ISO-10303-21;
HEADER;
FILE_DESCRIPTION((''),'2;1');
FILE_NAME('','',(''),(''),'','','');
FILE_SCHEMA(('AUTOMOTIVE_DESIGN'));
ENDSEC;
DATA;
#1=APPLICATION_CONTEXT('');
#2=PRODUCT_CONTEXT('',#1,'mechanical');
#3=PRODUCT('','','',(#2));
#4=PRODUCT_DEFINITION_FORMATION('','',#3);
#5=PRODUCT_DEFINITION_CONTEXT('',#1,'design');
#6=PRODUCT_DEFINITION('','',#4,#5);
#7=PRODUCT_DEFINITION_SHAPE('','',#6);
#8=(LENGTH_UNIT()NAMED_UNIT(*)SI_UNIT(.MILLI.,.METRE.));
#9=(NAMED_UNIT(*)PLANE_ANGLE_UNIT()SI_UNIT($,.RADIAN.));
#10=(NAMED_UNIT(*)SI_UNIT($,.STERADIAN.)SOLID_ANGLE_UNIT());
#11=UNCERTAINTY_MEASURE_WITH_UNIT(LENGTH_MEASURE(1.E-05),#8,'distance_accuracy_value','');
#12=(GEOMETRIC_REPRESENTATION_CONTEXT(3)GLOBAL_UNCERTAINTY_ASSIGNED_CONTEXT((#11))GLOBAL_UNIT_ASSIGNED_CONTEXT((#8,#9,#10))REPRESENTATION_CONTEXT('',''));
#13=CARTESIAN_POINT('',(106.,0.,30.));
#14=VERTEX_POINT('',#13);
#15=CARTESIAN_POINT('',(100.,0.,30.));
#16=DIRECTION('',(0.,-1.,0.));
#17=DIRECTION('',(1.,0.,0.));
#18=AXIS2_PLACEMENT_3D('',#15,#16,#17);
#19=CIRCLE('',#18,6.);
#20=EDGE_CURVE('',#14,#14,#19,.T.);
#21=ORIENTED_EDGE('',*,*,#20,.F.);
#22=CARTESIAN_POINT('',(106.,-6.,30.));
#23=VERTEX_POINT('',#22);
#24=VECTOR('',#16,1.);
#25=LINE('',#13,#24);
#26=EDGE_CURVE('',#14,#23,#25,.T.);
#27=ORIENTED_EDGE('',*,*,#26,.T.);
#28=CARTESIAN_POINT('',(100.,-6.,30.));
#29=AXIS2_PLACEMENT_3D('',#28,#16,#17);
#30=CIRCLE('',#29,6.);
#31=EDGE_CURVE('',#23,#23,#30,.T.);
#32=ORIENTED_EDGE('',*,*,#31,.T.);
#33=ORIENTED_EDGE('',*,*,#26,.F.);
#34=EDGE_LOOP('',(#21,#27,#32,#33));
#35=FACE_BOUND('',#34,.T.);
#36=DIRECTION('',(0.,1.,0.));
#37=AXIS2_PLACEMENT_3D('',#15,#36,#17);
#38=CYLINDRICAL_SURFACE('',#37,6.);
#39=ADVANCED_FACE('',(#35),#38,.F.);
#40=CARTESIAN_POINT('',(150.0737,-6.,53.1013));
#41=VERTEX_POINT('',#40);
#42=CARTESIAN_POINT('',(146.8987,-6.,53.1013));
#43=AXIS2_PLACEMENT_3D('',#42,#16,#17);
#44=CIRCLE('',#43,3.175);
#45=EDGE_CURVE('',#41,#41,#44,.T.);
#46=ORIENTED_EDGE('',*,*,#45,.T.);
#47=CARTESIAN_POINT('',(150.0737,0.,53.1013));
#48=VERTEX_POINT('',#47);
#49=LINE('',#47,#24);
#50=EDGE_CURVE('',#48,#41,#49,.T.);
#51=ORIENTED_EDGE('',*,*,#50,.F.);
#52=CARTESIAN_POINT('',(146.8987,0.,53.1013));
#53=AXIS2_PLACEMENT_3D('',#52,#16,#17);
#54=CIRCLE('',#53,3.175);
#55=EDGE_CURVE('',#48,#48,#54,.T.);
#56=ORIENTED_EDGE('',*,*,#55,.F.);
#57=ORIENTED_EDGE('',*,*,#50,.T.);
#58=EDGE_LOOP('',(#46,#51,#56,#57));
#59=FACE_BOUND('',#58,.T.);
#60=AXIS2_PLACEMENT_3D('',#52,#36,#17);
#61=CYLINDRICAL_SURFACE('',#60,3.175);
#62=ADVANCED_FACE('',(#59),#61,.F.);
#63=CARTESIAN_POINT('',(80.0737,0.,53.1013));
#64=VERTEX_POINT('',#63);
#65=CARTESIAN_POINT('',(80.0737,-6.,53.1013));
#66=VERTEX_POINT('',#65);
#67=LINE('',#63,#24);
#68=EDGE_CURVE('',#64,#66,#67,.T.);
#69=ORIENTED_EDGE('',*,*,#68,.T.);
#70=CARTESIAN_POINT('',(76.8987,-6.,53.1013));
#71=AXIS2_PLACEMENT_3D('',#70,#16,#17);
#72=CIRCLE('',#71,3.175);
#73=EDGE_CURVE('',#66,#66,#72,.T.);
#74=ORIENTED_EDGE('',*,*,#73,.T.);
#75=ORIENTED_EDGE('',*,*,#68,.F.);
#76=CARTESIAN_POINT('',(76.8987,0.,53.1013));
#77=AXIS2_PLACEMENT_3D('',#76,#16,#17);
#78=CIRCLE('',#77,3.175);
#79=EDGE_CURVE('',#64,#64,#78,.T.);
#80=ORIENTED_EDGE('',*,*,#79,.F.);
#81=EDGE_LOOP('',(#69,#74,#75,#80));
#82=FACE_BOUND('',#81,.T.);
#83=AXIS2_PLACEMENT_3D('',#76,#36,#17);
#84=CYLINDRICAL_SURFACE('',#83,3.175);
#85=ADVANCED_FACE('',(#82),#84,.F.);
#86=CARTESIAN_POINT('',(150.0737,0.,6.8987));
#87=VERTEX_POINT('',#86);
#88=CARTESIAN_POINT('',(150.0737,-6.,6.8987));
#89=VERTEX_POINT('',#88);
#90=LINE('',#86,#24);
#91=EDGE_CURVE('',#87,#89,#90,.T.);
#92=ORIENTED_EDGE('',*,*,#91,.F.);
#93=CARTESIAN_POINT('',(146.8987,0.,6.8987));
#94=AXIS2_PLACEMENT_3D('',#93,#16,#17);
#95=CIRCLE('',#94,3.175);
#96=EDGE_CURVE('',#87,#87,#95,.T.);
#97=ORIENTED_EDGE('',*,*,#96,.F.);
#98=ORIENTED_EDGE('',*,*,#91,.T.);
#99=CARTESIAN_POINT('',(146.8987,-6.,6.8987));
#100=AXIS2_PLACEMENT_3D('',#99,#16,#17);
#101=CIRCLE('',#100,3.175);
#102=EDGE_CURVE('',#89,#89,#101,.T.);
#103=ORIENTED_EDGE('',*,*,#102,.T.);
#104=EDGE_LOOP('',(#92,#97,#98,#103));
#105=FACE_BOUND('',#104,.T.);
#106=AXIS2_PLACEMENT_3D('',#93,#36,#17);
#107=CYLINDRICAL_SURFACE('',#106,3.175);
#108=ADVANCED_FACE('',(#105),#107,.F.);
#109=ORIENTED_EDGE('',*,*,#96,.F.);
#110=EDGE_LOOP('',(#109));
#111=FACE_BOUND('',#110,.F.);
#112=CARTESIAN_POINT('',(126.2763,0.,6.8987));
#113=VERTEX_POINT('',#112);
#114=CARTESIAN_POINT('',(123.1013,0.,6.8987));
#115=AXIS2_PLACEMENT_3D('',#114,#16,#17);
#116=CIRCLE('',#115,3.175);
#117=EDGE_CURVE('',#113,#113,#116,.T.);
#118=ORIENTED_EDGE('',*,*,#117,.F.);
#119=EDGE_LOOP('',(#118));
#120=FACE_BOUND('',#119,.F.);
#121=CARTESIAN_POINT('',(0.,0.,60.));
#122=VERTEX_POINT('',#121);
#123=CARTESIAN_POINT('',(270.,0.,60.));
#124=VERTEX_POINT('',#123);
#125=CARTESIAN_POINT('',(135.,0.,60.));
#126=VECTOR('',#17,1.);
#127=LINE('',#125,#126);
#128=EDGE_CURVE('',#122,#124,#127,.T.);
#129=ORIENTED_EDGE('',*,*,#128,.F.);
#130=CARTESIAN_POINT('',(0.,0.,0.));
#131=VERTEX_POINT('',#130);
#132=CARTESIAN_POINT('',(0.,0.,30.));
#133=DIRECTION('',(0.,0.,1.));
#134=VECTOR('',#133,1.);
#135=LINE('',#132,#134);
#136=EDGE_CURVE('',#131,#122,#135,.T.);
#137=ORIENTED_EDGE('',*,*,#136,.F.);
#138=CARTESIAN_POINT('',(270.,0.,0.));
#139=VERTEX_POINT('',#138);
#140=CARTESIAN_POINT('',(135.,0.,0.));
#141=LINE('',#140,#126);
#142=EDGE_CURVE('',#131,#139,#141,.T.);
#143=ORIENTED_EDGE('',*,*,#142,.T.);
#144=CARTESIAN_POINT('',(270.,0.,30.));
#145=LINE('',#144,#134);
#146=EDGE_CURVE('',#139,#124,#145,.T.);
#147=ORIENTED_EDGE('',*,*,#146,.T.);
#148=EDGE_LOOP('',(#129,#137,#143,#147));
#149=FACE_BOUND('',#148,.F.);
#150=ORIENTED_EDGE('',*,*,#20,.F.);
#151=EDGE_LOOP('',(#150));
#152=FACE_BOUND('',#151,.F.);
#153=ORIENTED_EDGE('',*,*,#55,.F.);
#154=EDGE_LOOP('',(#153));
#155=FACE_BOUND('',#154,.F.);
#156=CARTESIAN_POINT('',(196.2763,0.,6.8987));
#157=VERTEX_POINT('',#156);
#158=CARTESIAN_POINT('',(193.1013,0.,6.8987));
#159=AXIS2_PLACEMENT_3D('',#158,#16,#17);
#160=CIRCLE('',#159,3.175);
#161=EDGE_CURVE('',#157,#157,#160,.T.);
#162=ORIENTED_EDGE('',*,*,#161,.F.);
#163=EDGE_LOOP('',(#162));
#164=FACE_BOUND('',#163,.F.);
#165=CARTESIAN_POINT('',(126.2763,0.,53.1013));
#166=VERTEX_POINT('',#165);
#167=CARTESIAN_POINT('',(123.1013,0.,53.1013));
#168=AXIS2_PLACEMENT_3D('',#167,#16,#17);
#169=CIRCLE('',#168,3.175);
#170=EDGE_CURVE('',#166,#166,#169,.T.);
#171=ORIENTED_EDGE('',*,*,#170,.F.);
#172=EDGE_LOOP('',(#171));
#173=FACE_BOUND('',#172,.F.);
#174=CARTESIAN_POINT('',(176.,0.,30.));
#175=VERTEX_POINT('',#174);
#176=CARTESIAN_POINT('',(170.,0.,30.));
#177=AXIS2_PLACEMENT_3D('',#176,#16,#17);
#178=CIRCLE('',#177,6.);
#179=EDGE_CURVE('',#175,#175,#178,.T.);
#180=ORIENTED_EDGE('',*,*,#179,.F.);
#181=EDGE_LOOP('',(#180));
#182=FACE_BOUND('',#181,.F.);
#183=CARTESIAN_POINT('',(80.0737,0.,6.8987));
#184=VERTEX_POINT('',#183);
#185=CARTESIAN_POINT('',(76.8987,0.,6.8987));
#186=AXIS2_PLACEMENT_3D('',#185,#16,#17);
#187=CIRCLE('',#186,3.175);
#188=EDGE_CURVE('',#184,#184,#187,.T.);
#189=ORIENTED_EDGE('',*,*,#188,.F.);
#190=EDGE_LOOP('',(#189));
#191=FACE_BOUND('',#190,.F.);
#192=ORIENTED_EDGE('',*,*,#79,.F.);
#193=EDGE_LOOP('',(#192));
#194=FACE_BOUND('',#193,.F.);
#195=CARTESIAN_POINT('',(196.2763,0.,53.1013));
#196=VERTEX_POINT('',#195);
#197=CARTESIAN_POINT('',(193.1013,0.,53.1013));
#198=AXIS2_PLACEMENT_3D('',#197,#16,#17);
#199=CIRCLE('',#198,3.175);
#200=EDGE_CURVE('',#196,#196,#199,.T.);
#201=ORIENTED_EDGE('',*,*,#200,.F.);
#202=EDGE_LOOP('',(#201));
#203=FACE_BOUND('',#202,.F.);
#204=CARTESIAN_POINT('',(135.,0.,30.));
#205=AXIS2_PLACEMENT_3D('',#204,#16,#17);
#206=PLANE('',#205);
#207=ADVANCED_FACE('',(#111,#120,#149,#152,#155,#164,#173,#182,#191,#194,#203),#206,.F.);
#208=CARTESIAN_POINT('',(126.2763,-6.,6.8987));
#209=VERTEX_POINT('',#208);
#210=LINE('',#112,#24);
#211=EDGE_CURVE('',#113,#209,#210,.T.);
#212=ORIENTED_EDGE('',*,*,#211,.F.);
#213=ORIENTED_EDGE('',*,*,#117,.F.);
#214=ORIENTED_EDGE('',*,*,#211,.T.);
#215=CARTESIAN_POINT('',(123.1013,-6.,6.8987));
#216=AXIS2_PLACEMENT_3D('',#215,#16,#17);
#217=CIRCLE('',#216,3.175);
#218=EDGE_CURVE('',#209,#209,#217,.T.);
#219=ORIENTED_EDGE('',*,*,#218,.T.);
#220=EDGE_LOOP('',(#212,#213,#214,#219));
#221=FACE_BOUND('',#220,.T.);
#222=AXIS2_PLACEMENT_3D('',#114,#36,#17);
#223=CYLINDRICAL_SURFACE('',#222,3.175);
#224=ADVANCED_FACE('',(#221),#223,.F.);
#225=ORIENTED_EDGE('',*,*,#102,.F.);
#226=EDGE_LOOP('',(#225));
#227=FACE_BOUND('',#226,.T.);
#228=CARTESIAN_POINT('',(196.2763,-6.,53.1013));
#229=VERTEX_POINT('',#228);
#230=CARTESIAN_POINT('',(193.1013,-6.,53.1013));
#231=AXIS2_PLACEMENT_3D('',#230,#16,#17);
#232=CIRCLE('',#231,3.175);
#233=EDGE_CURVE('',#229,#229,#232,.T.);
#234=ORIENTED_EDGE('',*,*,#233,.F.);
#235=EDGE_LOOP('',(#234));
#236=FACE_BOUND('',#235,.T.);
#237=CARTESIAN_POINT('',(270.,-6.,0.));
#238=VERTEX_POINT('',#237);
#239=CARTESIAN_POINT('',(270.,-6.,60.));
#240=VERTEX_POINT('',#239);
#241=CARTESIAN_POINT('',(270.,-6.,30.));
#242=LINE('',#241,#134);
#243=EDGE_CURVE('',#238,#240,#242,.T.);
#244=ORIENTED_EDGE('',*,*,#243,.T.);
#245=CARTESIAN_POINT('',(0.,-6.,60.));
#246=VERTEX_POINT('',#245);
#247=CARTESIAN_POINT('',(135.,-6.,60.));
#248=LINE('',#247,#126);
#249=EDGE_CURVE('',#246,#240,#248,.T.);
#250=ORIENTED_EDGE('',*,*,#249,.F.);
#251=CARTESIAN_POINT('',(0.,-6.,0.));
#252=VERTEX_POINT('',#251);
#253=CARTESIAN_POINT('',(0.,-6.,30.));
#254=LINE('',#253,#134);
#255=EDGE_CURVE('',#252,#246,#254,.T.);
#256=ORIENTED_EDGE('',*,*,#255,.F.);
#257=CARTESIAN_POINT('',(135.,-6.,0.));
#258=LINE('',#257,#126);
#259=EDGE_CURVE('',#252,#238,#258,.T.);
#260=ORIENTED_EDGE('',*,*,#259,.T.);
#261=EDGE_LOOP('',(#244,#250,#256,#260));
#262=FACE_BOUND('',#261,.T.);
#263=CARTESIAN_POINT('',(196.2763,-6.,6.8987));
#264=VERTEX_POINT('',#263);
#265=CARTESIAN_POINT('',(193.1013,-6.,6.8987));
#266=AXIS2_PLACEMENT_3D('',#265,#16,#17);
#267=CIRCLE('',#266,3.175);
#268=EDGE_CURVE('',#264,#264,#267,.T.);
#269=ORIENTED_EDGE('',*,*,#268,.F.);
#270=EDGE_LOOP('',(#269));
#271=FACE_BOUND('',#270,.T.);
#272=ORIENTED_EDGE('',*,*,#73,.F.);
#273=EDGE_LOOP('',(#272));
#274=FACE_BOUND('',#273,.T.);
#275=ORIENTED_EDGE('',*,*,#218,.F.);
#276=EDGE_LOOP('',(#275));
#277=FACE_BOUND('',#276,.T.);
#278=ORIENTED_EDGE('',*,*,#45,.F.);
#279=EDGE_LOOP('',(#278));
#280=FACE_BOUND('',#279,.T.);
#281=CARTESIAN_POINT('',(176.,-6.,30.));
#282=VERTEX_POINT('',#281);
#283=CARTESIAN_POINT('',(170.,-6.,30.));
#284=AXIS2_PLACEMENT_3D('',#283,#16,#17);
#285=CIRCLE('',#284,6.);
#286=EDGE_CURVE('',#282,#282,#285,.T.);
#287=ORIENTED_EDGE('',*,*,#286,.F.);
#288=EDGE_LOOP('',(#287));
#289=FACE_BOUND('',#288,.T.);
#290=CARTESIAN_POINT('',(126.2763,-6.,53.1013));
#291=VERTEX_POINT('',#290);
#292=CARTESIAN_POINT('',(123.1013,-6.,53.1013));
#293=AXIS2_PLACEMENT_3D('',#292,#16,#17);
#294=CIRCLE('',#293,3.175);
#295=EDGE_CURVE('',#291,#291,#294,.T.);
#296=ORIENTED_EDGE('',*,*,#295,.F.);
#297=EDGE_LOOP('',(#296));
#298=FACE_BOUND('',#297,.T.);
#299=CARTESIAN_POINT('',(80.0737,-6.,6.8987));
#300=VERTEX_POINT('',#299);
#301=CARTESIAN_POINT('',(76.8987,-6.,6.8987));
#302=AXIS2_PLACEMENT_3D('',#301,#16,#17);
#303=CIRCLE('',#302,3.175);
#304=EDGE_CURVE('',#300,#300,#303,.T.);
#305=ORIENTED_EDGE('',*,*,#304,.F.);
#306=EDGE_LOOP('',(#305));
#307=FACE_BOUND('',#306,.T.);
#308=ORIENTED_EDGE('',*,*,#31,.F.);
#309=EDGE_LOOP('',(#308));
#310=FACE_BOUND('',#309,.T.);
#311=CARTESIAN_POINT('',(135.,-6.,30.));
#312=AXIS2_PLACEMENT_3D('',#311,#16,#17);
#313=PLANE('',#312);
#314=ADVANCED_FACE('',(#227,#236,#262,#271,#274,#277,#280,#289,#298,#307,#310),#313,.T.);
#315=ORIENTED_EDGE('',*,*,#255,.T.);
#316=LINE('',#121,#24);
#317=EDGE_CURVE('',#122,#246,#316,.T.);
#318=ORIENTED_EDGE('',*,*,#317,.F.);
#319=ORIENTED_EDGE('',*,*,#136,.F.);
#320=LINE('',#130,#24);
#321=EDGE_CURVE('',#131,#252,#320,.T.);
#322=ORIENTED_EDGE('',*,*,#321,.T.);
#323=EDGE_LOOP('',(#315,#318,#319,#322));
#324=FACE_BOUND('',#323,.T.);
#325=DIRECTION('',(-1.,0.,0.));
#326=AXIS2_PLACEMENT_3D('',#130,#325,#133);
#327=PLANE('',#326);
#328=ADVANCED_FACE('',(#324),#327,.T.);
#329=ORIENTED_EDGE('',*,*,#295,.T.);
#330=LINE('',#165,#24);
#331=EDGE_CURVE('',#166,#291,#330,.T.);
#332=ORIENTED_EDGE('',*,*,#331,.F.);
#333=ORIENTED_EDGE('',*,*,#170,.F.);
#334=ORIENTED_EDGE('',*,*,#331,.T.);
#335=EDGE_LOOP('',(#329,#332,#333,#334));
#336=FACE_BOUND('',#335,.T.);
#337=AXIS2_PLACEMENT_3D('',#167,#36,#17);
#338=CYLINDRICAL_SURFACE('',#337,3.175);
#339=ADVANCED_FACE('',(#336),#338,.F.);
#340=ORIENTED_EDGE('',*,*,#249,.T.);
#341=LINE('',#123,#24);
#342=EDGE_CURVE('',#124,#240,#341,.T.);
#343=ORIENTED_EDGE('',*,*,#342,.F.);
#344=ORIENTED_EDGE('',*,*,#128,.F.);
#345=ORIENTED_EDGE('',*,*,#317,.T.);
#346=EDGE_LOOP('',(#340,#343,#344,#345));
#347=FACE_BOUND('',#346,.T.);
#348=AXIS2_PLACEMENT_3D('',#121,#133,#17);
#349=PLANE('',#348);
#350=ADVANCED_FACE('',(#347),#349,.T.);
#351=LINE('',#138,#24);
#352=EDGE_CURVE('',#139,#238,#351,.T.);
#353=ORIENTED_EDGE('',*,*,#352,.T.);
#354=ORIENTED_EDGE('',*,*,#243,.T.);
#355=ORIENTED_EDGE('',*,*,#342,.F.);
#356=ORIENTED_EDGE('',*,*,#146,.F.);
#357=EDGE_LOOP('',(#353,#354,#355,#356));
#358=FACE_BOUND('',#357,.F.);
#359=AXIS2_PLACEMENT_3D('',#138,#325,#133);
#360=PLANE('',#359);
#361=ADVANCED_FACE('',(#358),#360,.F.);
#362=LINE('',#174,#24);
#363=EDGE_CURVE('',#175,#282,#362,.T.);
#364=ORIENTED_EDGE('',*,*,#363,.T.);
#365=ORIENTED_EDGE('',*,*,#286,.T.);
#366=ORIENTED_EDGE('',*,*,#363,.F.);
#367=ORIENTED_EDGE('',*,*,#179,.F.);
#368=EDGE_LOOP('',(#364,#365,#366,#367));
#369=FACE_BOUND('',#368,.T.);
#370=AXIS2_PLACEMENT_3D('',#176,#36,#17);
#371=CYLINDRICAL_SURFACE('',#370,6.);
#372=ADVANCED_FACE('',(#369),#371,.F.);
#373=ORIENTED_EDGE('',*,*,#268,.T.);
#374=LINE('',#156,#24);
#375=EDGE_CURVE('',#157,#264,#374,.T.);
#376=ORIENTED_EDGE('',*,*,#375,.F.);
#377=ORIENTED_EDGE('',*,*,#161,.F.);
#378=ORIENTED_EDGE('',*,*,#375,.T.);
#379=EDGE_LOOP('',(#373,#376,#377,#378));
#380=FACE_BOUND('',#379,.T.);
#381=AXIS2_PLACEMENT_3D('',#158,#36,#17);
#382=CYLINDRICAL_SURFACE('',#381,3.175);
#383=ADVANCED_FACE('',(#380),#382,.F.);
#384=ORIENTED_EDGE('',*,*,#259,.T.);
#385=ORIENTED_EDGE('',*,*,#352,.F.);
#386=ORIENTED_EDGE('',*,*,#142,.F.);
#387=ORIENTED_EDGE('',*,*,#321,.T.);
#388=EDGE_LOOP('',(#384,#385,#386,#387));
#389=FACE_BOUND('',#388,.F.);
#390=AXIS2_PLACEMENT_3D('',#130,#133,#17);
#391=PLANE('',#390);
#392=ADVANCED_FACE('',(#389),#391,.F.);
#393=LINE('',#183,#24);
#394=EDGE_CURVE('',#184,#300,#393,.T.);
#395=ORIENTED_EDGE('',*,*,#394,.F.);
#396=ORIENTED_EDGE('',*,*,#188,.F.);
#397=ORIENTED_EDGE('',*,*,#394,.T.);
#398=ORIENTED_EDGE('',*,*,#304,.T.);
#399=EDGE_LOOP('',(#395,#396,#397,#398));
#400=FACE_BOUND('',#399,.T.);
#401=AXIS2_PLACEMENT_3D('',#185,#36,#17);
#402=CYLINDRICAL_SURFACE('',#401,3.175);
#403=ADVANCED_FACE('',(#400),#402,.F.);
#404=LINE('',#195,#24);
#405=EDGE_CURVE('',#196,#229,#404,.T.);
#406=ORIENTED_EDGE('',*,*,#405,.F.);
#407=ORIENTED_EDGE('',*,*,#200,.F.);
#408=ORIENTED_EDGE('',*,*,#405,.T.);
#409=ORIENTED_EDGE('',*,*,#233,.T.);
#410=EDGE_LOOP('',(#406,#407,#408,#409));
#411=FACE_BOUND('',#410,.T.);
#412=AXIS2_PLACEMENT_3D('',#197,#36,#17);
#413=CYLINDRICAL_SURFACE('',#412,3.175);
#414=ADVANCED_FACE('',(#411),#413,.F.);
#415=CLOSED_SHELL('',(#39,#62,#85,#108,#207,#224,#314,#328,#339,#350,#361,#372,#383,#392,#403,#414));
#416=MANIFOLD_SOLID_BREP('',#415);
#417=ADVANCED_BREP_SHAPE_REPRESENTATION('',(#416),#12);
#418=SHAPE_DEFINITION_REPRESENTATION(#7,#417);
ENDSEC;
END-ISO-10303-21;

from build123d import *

# Parameters (mm, degrees)
SKETCH_W   = 270
SKETCH_H   = 60
SKETCH_R   = 6
SKETCH_R_2 = 3.175
PAD_DEPTH  = 6


with BuildPart() as part:
    # Sketch → Pad (new body)
    with BuildSketch(Plane.XZ):
        with Locations((135, 30)):
            Rectangle(SKETCH_W, SKETCH_H)
        with Locations((100, 30)):
            Circle(SKETCH_R, mode=Mode.SUBTRACT)
        with Locations((123.1013, 53.1013)):
            Circle(SKETCH_R_2, mode=Mode.SUBTRACT)
        with Locations((76.8987, 53.1013)):
            Circle(SKETCH_R_2, mode=Mode.SUBTRACT)
        with Locations((76.8987, 6.8987)):
            Circle(SKETCH_R_2, mode=Mode.SUBTRACT)
        with Locations((123.1013, 6.8987)):
            Circle(SKETCH_R_2, mode=Mode.SUBTRACT)
        with Locations((170, 30)):
            Circle(SKETCH_R, mode=Mode.SUBTRACT)
        with Locations((193.1013, 53.1013)):
            Circle(SKETCH_R_2, mode=Mode.SUBTRACT)
        with Locations((146.8987, 53.1013)):
            Circle(SKETCH_R_2, mode=Mode.SUBTRACT)
        with Locations((146.8987, 6.8987)):
            Circle(SKETCH_R_2, mode=Mode.SUBTRACT)
        with Locations((193.1013, 6.8987)):
            Circle(SKETCH_R_2, mode=Mode.SUBTRACT)
    extrude(amount=PAD_DEPTH)


solid = part.part
